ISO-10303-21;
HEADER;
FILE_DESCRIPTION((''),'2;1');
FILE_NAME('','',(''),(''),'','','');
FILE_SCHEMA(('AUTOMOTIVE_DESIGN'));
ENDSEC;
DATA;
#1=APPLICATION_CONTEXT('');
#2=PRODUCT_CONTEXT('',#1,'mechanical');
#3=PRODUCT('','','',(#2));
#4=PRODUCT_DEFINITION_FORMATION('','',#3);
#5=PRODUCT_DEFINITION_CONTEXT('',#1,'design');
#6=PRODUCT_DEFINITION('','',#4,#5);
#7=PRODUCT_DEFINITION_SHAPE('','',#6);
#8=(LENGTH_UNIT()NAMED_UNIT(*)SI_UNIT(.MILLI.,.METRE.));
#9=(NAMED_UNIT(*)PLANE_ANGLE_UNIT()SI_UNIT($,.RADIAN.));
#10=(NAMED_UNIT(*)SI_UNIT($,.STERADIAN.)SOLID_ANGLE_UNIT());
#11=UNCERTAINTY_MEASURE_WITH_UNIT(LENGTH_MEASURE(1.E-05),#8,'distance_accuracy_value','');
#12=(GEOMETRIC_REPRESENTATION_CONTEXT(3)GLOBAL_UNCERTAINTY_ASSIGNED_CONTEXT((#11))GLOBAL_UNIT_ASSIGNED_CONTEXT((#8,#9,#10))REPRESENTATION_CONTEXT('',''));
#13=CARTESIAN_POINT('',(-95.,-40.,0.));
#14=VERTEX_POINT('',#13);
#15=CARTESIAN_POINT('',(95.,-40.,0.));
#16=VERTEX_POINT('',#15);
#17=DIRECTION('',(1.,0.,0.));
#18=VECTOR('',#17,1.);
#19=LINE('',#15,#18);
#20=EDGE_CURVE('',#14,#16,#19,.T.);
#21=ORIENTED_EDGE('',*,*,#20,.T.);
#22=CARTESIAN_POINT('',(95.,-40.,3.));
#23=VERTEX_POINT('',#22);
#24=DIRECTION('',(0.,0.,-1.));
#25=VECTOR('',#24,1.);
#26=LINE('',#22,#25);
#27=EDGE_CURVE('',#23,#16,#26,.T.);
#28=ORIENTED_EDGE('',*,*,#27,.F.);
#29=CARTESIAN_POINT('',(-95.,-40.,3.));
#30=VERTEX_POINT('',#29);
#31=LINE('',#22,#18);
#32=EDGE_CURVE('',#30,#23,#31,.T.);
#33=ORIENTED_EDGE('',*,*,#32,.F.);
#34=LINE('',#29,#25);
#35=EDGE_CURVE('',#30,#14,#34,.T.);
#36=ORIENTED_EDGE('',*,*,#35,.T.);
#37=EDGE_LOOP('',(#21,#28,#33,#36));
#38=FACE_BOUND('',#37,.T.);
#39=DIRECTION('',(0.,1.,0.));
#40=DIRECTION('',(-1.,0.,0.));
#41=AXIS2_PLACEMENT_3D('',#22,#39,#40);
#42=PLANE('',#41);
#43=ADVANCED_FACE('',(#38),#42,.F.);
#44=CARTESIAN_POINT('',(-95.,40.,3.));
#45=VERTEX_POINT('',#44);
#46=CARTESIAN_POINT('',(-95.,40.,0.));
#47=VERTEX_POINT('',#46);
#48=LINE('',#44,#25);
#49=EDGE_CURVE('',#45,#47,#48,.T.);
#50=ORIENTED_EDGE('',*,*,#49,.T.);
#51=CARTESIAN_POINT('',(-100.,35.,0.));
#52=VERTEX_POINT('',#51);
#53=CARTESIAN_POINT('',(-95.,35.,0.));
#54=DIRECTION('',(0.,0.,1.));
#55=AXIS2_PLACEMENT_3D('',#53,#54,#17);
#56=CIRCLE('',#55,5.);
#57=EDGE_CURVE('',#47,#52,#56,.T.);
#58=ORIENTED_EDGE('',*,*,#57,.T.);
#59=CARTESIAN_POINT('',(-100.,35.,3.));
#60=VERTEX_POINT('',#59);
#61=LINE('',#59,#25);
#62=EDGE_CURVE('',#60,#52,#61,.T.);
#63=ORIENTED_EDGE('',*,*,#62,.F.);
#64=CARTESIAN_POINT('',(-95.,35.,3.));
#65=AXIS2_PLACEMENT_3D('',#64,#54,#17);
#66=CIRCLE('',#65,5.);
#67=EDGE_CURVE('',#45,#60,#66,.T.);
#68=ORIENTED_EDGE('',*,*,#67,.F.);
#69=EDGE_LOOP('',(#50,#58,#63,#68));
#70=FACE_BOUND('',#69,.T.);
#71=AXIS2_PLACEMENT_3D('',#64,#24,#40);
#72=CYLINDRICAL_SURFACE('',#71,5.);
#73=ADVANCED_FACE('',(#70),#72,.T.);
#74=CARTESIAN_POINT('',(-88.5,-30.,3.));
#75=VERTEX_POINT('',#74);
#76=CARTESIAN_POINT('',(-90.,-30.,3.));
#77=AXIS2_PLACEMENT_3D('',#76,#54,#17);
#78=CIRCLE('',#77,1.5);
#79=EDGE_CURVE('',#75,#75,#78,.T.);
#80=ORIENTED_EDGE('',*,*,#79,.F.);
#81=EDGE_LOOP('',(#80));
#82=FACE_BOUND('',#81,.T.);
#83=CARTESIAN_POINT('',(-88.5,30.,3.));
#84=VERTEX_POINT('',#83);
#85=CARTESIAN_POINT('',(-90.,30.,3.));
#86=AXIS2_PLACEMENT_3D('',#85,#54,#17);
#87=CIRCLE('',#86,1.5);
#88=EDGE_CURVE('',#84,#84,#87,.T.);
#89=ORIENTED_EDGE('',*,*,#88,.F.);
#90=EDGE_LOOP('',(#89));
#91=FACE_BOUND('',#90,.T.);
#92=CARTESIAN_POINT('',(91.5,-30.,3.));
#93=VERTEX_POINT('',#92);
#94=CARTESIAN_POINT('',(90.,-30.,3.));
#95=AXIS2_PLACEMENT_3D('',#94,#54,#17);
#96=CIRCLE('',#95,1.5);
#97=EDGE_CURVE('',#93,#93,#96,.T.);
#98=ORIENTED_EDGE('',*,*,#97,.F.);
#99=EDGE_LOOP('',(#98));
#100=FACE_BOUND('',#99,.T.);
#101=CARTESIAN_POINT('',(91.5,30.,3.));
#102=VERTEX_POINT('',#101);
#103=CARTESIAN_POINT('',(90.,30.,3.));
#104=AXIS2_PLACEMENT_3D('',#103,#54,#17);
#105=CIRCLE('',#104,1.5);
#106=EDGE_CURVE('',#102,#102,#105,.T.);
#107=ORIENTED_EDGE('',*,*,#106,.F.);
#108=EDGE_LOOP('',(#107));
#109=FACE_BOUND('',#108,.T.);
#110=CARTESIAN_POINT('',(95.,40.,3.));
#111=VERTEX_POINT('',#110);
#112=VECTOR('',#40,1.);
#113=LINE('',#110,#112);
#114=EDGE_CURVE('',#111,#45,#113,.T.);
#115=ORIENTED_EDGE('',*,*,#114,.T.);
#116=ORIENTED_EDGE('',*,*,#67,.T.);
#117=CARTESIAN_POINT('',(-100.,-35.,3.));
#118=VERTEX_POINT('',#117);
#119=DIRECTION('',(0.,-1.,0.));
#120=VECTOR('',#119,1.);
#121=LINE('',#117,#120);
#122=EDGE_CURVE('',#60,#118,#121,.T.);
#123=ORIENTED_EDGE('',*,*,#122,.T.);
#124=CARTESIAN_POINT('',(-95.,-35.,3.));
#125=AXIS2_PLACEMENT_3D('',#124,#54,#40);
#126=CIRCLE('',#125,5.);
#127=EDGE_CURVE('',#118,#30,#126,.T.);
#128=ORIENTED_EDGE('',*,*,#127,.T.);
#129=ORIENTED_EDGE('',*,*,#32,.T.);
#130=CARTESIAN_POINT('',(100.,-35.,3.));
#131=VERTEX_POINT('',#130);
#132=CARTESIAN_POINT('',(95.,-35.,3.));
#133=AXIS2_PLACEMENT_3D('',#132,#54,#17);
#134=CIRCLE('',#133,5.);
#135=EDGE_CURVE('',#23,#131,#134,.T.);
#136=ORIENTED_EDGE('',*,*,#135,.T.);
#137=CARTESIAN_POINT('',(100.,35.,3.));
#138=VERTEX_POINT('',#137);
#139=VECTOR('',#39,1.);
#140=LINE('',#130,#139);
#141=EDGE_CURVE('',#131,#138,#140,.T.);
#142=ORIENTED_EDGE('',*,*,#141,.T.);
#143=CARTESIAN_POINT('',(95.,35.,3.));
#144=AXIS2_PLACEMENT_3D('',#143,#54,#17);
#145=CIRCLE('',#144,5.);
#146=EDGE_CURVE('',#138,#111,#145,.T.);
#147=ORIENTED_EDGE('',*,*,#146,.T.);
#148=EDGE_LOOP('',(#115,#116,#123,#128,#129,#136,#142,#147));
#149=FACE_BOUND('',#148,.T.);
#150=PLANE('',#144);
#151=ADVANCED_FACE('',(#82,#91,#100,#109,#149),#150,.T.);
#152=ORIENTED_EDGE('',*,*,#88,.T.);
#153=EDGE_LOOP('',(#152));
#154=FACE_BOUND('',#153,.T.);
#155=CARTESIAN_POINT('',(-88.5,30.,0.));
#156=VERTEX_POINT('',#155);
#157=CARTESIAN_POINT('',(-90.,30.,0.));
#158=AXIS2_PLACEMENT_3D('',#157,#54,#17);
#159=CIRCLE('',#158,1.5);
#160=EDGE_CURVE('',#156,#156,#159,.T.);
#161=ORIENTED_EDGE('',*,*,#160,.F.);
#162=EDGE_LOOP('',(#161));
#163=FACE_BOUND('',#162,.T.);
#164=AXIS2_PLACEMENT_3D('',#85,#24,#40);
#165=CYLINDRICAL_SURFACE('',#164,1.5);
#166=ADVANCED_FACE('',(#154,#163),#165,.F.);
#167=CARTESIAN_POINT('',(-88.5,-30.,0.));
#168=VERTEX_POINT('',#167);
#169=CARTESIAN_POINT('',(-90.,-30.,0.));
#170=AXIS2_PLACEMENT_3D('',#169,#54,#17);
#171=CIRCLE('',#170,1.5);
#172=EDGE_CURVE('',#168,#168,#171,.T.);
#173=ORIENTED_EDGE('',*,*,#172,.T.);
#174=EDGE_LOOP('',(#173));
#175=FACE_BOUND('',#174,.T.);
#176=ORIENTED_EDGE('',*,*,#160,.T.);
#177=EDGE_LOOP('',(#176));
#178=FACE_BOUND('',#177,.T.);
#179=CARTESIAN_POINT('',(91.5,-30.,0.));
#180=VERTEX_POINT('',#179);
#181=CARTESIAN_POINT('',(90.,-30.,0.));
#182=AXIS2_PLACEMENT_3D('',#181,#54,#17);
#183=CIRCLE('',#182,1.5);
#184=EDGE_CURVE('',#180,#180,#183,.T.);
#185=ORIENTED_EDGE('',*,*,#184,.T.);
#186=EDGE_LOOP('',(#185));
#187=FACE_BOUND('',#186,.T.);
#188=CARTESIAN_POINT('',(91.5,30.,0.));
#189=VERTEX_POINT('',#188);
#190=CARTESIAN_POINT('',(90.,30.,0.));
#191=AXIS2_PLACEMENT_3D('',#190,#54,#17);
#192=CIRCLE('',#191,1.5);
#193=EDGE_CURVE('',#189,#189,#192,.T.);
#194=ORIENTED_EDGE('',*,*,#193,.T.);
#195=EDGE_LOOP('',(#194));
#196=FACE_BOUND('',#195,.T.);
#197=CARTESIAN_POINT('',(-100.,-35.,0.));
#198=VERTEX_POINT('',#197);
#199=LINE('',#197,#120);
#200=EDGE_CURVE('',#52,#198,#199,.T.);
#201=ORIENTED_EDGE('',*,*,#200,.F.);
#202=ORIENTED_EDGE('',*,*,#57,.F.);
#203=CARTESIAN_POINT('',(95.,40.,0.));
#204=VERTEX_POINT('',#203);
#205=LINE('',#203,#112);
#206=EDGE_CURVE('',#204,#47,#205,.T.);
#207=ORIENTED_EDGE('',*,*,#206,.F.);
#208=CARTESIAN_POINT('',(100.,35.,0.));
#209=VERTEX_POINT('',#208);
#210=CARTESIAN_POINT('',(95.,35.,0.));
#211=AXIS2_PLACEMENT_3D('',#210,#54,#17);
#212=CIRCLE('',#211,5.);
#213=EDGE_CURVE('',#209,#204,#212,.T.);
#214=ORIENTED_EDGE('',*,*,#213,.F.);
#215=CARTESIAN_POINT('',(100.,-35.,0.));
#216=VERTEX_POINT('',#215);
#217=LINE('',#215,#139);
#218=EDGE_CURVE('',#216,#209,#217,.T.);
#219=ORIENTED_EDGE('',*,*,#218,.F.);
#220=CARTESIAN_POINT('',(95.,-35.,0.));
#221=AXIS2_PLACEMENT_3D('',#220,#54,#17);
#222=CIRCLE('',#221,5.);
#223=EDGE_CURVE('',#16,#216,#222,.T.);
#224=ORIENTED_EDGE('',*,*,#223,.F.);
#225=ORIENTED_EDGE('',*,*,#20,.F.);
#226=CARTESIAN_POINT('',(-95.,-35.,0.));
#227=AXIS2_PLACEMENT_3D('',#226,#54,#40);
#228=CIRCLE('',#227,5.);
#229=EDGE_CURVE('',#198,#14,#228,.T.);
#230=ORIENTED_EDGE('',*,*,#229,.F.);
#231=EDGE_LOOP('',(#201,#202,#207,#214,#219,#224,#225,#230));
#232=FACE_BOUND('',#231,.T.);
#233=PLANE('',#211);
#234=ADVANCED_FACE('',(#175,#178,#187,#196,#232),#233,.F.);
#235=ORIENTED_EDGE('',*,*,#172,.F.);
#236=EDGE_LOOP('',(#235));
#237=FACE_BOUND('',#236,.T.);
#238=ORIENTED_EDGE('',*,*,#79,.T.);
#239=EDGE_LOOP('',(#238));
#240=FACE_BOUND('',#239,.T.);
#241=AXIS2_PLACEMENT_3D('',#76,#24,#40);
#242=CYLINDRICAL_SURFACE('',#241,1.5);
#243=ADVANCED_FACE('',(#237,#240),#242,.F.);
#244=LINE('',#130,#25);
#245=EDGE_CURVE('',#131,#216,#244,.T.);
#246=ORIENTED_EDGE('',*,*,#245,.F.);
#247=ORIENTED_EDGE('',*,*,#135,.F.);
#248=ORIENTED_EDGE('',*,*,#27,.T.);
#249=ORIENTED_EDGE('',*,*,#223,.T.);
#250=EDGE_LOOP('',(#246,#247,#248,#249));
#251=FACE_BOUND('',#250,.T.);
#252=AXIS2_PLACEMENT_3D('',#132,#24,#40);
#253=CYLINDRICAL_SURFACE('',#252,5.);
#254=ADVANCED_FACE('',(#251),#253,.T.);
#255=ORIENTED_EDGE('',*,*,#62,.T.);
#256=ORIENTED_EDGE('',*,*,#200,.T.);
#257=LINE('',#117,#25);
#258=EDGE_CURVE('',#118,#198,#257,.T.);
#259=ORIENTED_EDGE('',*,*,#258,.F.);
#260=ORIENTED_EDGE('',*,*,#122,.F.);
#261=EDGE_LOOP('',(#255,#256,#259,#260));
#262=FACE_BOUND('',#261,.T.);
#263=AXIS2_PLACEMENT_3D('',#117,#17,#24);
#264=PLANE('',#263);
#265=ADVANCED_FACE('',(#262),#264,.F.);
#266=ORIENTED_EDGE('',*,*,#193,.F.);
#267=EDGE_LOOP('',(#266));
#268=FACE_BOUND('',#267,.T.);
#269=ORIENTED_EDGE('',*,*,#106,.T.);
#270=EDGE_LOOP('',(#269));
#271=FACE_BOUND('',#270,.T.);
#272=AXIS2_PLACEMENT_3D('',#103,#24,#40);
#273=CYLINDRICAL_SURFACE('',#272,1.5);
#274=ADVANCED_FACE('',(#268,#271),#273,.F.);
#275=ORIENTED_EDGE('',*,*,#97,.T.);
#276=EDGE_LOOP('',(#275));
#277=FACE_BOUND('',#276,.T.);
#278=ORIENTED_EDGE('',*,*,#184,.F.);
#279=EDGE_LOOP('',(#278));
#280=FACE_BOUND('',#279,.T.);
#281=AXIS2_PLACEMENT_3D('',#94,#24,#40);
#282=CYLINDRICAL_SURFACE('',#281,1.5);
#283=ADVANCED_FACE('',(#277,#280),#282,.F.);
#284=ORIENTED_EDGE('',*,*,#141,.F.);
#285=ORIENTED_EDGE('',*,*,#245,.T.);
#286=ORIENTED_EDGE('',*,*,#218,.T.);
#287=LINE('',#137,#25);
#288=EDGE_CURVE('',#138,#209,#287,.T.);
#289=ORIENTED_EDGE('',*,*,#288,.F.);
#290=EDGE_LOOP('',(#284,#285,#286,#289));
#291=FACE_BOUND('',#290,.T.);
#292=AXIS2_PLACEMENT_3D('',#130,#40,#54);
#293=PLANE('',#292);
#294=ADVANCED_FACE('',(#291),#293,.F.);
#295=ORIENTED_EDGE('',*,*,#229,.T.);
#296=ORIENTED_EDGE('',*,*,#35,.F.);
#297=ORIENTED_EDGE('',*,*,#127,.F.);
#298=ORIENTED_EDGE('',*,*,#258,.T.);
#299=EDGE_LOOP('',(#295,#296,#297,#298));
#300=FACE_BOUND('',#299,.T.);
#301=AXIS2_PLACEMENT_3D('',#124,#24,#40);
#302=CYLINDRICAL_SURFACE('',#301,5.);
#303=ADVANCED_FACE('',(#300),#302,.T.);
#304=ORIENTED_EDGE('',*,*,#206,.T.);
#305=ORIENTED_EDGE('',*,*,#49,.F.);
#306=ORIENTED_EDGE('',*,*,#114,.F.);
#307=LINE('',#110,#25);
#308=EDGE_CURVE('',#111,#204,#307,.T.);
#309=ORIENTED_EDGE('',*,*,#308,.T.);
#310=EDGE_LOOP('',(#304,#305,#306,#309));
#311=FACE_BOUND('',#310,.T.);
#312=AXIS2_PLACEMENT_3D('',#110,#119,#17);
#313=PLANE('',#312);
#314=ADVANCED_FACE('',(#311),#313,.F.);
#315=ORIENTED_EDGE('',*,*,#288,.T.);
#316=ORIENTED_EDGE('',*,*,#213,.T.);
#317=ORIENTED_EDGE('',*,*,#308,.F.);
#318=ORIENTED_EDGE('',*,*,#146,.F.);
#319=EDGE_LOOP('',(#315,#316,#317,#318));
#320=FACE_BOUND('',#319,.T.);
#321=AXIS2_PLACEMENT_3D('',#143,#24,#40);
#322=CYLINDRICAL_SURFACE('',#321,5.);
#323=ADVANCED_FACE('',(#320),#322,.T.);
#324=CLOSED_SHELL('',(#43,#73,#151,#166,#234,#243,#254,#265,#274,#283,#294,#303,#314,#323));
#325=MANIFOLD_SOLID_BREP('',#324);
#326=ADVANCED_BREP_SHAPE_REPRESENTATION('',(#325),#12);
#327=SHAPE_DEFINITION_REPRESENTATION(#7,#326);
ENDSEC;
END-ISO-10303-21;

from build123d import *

# Parameters (mm, degrees)
ESBO_O1_R                = 1.5
RESSALTO_EXTRUS_O1_DEPTH = 3


with BuildPart() as part:
    # Esboço1 → Ressalto-extrusão1 (new body)
    with BuildSketch(Plane.XY):
        with BuildLine():
            Line((95, -40), (-95, -40))
            ThreePointArc((-95, -40), (-98.535533906, -38.535533906), (-100, -35))
            Line((-100, -35), (-100, 35))
            ThreePointArc((-100, 35), (-98.535533906, 38.535533906), (-95, 40))
            Line((-95, 40), (95, 40))
            ThreePointArc((95, 40), (98.535533906, 38.535533906), (100, 35))
            Line((100, 35), (100, -35))
            ThreePointArc((100, -35), (98.535533906, -38.535533906), (95, -40))
        make_face()
        with Locations((-90, 30)):
            Circle(ESBO_O1_R, mode=Mode.SUBTRACT)
        with Locations((90, 30)):
            Circle(ESBO_O1_R, mode=Mode.SUBTRACT)
        with Locations((90, -30)):
            Circle(ESBO_O1_R, mode=Mode.SUBTRACT)
        with Locations((-90, -30)):
            Circle(ESBO_O1_R, mode=Mode.SUBTRACT)
    extrude(amount=RESSALTO_EXTRUS_O1_DEPTH)


solid = part.part
